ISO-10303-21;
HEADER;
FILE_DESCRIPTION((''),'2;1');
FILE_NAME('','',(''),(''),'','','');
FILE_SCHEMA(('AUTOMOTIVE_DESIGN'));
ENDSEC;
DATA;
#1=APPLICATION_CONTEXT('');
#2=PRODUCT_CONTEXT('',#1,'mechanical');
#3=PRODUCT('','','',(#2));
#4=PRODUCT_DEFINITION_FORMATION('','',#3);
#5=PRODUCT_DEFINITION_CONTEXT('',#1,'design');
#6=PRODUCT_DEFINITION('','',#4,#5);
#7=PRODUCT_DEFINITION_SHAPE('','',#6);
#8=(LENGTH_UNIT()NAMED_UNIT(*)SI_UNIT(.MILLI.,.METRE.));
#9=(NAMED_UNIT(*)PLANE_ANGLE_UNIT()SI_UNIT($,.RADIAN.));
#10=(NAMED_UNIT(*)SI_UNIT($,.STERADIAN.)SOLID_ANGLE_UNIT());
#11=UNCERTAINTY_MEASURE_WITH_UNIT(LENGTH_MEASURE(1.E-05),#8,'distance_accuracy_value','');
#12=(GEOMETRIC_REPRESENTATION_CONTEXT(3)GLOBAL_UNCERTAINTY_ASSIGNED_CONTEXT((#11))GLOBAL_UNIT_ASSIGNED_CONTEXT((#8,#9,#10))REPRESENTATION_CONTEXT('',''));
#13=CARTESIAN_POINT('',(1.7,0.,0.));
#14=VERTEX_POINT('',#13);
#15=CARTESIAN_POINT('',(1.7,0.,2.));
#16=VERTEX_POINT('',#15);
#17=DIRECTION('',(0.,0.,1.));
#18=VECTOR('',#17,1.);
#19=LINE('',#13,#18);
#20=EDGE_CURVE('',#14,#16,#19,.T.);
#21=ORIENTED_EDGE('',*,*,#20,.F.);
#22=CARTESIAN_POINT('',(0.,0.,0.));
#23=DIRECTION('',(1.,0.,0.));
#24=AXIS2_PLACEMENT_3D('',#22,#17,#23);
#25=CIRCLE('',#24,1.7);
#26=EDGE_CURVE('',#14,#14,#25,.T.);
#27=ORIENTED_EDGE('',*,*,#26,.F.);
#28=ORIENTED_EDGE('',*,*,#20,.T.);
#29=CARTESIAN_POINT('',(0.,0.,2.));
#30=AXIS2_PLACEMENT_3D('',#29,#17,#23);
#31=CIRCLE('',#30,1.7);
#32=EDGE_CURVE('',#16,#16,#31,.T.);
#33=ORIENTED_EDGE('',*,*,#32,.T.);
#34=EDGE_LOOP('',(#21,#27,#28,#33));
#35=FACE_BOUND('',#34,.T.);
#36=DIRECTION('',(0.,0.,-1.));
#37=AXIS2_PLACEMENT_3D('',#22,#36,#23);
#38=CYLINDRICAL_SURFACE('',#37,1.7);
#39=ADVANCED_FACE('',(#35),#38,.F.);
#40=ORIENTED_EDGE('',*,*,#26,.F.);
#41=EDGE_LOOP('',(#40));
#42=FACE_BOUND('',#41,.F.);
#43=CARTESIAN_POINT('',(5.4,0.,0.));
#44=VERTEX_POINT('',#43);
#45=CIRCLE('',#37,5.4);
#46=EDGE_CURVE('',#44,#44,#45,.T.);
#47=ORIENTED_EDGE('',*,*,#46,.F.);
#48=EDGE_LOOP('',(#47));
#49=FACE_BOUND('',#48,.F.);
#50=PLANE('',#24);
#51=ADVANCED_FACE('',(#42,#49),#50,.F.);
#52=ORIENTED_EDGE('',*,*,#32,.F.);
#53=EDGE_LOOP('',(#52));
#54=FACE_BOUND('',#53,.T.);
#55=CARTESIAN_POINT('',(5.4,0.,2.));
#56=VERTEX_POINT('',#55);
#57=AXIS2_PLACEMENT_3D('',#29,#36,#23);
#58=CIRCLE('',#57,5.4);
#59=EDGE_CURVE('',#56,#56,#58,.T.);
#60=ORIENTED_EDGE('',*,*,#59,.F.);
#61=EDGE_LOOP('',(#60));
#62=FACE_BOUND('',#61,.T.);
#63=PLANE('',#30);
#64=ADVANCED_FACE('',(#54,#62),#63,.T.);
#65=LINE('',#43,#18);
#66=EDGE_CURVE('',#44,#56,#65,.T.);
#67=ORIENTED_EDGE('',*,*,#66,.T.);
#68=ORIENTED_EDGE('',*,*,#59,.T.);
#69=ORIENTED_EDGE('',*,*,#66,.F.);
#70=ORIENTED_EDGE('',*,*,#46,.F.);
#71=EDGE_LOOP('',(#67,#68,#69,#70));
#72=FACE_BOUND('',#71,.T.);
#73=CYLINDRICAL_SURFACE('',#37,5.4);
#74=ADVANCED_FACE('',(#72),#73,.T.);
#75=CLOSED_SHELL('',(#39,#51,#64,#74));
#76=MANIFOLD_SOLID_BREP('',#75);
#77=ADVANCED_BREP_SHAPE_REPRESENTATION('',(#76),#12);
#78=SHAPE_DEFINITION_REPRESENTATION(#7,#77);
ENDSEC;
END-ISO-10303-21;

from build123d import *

# Parameters (mm, degrees)
F0_R     = 7.5
F0_R_2   = 1.7
F1_DEPTH = 2
F2_R     = 7.5
F2_R_2   = 6.5
F2_R_3   = 5.4
F3_DEPTH = 2


with BuildPart() as f1:
    # F0 (on Top) → F1 (new body)
    with BuildSketch(Plane.XY):
        Circle(F0_R)
        Circle(F0_R_2, mode=Mode.SUBTRACT)
    extrude(amount=F1_DEPTH)

    # F2 (on face) → F3 (cut, through all)
    with BuildSketch(Plane(origin=(0, 0, 0), x_dir=(1, 0, 0), z_dir=(0, 0, -1))):
        Circle(F2_R)
        Circle(F2_R_2, mode=Mode.SUBTRACT)
        Circle(F2_R_2)
        Circle(F2_R_3, mode=Mode.SUBTRACT)
    extrude(amount=-F3_DEPTH, mode=Mode.SUBTRACT)


solid = f1.part
